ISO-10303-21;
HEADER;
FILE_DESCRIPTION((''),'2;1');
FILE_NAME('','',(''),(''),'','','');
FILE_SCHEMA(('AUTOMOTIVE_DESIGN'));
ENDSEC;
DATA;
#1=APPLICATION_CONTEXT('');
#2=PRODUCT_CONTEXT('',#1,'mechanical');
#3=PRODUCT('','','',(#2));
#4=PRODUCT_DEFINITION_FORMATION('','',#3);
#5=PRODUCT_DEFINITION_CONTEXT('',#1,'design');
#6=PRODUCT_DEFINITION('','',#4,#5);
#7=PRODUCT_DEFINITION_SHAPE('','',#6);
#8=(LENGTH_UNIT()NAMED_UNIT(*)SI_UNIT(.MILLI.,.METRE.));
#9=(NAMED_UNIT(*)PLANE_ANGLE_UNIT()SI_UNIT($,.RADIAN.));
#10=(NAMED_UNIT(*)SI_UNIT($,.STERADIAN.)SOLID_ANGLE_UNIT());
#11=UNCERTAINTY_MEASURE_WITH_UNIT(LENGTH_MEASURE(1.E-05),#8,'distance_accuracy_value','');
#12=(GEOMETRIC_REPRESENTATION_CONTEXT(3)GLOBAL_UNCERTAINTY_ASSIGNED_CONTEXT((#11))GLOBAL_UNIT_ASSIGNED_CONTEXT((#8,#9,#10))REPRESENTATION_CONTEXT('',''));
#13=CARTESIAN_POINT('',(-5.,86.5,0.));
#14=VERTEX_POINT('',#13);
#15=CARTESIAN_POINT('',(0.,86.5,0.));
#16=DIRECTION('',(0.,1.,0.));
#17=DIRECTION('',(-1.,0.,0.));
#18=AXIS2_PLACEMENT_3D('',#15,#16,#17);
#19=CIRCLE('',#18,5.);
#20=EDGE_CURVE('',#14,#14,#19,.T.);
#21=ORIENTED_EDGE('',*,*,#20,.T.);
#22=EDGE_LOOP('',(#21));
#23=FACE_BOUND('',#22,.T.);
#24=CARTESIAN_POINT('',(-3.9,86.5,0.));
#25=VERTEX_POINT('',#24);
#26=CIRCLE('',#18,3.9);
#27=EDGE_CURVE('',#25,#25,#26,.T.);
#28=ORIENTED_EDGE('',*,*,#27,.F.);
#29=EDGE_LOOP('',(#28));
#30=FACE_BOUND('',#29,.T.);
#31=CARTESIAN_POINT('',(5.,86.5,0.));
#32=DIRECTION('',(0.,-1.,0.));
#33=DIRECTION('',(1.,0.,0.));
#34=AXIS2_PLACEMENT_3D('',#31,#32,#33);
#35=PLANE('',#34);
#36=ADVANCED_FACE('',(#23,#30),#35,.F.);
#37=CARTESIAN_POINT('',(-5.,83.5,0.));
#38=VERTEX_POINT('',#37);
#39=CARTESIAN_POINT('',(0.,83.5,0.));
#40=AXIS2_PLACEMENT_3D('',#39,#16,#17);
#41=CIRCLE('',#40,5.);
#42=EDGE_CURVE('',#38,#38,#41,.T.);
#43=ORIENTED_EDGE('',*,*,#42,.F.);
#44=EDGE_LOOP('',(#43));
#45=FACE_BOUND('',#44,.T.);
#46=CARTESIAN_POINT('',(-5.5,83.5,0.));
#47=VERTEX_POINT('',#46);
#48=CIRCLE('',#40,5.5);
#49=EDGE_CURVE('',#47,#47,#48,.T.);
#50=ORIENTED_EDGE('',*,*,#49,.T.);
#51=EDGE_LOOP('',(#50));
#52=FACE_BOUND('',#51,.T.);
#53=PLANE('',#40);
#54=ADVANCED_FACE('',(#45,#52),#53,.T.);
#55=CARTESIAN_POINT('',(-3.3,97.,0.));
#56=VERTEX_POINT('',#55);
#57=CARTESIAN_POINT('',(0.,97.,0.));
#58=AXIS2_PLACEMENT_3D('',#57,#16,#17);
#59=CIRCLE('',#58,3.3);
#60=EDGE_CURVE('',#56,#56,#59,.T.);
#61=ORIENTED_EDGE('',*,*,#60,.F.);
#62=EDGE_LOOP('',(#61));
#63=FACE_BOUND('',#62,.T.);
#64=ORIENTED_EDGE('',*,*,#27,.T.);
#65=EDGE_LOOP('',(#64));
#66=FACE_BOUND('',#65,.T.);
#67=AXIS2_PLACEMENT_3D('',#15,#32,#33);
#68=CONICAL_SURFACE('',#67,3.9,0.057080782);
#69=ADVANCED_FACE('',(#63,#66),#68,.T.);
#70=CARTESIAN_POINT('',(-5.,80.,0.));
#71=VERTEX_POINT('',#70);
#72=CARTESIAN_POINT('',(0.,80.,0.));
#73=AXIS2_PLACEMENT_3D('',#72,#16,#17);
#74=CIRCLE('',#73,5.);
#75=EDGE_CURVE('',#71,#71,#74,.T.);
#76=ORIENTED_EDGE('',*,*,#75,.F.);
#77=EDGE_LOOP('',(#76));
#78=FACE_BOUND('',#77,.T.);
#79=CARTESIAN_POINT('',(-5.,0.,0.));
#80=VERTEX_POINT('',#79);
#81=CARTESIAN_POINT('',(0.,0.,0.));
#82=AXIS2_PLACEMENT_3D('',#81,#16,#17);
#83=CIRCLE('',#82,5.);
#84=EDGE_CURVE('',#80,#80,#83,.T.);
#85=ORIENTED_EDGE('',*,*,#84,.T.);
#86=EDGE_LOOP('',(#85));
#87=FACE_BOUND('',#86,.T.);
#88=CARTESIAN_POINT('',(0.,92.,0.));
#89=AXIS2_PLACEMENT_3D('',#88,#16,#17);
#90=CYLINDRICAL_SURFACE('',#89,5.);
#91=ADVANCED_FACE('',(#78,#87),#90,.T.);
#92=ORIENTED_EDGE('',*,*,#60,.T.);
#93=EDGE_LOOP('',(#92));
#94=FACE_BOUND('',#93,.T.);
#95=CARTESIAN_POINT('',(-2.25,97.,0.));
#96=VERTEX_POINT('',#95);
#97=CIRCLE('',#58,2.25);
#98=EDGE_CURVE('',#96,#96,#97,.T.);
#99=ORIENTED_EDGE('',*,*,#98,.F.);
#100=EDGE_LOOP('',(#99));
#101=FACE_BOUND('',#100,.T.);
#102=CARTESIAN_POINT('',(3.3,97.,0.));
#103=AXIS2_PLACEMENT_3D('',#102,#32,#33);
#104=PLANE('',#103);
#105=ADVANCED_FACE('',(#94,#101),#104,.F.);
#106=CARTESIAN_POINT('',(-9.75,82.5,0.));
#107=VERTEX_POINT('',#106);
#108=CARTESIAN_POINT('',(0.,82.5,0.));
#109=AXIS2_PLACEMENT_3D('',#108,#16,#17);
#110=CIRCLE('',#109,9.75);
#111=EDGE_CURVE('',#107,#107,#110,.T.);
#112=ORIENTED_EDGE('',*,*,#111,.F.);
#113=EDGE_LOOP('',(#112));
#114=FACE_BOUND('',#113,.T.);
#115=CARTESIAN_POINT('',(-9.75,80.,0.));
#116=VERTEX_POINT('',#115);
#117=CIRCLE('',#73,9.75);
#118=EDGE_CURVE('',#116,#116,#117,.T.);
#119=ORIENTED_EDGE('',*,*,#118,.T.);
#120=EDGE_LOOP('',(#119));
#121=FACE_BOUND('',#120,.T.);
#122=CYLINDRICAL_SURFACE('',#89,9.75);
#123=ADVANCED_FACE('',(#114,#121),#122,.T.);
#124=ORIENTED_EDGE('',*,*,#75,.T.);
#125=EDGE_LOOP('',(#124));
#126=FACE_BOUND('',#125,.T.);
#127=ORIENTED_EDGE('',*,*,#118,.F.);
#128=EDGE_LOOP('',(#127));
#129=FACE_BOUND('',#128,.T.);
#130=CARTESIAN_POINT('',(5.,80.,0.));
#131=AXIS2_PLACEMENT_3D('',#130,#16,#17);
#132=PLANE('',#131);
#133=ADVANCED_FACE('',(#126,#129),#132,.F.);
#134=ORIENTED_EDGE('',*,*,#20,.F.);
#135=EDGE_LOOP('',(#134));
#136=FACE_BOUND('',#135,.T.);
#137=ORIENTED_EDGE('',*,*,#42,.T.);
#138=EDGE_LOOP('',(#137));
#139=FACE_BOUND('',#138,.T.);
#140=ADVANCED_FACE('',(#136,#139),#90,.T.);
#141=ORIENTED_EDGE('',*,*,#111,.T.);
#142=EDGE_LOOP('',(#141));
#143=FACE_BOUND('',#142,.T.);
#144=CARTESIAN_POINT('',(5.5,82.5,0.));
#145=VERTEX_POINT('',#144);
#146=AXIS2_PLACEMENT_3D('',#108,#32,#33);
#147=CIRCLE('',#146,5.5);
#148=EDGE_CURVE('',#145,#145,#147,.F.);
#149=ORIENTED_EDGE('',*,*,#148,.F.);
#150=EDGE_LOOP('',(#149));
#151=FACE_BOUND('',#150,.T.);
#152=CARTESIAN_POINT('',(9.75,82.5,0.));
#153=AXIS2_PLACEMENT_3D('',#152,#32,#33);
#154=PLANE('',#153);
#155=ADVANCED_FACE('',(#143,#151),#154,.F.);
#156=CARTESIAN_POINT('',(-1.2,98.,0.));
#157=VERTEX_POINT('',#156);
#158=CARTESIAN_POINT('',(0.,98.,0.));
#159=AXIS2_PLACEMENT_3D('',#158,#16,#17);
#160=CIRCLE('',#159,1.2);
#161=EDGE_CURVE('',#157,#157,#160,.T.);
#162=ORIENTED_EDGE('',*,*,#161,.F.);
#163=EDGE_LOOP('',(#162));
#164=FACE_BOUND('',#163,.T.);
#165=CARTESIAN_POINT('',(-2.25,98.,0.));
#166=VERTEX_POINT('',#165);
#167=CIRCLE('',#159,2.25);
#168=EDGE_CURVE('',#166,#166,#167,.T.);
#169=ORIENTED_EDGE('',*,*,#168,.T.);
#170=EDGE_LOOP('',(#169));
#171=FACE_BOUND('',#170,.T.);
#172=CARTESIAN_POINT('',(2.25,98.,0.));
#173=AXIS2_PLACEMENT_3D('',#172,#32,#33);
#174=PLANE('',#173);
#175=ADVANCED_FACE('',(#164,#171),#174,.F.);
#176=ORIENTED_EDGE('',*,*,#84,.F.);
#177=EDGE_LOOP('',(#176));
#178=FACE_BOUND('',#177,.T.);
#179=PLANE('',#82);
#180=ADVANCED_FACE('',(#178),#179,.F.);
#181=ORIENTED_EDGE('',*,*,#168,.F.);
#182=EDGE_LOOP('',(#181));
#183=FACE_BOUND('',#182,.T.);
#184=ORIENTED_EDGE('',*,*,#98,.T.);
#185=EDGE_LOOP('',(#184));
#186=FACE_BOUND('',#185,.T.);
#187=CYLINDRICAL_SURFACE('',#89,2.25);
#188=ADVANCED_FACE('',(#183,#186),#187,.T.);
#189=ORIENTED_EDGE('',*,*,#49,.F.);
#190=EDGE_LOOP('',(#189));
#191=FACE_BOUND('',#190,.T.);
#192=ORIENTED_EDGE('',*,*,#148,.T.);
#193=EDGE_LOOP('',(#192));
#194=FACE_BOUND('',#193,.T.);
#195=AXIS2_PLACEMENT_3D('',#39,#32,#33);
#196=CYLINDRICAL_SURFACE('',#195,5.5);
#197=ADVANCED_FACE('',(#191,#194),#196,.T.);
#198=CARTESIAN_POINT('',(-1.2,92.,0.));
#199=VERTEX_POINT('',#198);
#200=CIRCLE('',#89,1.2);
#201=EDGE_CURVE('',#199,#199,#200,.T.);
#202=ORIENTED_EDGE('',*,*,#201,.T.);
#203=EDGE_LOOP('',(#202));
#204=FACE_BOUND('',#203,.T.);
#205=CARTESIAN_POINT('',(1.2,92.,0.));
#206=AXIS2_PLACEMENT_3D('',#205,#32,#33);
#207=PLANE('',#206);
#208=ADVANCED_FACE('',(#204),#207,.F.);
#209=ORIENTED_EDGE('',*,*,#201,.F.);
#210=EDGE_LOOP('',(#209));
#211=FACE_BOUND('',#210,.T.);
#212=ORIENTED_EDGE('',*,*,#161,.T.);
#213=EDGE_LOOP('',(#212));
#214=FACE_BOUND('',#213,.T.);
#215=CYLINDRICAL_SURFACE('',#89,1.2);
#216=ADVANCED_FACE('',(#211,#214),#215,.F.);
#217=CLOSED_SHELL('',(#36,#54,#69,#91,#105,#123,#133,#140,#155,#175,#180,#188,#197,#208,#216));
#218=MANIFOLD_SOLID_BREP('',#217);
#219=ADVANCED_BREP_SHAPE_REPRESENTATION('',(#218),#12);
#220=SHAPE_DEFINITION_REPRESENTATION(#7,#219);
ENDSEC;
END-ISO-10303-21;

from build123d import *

# Parameters (mm, degrees)
SKETCH2_R           = 5.5
BOSS_EXTRUDE1_DEPTH = 1


with BuildPart() as part:
    # Sketch1 → Revolve1 (revolve)
    with BuildSketch(Plane.XY, mode=Mode.PRIVATE) as revolve1_sk:
        Polygon((0, 0), (5, 0), (5, 80), (9.75, 80), (9.75, 82.5), (5, 82.5), (5, 86.5), (3.9, 86.5), (3.3, 97), (2.25, 97), (2.25, 98), (1.2, 98), (1.2, 92), (0, 92), align=None)
    revolve(revolve1_sk.sketch.rotate(Axis((0, 92, 0), (0, -1, 0)), 180), axis=Axis((0, 92, 0), (0, -1, 0)))

    # Sketch2 → Boss-Extrude1 (add)
    with BuildSketch(Plane(origin=(0, 82.5, 0), x_dir=(1, 0, 0), z_dir=(0, 1, 0))):
        Circle(SKETCH2_R)
    extrude(amount=BOSS_EXTRUDE1_DEPTH)


solid = part.part
